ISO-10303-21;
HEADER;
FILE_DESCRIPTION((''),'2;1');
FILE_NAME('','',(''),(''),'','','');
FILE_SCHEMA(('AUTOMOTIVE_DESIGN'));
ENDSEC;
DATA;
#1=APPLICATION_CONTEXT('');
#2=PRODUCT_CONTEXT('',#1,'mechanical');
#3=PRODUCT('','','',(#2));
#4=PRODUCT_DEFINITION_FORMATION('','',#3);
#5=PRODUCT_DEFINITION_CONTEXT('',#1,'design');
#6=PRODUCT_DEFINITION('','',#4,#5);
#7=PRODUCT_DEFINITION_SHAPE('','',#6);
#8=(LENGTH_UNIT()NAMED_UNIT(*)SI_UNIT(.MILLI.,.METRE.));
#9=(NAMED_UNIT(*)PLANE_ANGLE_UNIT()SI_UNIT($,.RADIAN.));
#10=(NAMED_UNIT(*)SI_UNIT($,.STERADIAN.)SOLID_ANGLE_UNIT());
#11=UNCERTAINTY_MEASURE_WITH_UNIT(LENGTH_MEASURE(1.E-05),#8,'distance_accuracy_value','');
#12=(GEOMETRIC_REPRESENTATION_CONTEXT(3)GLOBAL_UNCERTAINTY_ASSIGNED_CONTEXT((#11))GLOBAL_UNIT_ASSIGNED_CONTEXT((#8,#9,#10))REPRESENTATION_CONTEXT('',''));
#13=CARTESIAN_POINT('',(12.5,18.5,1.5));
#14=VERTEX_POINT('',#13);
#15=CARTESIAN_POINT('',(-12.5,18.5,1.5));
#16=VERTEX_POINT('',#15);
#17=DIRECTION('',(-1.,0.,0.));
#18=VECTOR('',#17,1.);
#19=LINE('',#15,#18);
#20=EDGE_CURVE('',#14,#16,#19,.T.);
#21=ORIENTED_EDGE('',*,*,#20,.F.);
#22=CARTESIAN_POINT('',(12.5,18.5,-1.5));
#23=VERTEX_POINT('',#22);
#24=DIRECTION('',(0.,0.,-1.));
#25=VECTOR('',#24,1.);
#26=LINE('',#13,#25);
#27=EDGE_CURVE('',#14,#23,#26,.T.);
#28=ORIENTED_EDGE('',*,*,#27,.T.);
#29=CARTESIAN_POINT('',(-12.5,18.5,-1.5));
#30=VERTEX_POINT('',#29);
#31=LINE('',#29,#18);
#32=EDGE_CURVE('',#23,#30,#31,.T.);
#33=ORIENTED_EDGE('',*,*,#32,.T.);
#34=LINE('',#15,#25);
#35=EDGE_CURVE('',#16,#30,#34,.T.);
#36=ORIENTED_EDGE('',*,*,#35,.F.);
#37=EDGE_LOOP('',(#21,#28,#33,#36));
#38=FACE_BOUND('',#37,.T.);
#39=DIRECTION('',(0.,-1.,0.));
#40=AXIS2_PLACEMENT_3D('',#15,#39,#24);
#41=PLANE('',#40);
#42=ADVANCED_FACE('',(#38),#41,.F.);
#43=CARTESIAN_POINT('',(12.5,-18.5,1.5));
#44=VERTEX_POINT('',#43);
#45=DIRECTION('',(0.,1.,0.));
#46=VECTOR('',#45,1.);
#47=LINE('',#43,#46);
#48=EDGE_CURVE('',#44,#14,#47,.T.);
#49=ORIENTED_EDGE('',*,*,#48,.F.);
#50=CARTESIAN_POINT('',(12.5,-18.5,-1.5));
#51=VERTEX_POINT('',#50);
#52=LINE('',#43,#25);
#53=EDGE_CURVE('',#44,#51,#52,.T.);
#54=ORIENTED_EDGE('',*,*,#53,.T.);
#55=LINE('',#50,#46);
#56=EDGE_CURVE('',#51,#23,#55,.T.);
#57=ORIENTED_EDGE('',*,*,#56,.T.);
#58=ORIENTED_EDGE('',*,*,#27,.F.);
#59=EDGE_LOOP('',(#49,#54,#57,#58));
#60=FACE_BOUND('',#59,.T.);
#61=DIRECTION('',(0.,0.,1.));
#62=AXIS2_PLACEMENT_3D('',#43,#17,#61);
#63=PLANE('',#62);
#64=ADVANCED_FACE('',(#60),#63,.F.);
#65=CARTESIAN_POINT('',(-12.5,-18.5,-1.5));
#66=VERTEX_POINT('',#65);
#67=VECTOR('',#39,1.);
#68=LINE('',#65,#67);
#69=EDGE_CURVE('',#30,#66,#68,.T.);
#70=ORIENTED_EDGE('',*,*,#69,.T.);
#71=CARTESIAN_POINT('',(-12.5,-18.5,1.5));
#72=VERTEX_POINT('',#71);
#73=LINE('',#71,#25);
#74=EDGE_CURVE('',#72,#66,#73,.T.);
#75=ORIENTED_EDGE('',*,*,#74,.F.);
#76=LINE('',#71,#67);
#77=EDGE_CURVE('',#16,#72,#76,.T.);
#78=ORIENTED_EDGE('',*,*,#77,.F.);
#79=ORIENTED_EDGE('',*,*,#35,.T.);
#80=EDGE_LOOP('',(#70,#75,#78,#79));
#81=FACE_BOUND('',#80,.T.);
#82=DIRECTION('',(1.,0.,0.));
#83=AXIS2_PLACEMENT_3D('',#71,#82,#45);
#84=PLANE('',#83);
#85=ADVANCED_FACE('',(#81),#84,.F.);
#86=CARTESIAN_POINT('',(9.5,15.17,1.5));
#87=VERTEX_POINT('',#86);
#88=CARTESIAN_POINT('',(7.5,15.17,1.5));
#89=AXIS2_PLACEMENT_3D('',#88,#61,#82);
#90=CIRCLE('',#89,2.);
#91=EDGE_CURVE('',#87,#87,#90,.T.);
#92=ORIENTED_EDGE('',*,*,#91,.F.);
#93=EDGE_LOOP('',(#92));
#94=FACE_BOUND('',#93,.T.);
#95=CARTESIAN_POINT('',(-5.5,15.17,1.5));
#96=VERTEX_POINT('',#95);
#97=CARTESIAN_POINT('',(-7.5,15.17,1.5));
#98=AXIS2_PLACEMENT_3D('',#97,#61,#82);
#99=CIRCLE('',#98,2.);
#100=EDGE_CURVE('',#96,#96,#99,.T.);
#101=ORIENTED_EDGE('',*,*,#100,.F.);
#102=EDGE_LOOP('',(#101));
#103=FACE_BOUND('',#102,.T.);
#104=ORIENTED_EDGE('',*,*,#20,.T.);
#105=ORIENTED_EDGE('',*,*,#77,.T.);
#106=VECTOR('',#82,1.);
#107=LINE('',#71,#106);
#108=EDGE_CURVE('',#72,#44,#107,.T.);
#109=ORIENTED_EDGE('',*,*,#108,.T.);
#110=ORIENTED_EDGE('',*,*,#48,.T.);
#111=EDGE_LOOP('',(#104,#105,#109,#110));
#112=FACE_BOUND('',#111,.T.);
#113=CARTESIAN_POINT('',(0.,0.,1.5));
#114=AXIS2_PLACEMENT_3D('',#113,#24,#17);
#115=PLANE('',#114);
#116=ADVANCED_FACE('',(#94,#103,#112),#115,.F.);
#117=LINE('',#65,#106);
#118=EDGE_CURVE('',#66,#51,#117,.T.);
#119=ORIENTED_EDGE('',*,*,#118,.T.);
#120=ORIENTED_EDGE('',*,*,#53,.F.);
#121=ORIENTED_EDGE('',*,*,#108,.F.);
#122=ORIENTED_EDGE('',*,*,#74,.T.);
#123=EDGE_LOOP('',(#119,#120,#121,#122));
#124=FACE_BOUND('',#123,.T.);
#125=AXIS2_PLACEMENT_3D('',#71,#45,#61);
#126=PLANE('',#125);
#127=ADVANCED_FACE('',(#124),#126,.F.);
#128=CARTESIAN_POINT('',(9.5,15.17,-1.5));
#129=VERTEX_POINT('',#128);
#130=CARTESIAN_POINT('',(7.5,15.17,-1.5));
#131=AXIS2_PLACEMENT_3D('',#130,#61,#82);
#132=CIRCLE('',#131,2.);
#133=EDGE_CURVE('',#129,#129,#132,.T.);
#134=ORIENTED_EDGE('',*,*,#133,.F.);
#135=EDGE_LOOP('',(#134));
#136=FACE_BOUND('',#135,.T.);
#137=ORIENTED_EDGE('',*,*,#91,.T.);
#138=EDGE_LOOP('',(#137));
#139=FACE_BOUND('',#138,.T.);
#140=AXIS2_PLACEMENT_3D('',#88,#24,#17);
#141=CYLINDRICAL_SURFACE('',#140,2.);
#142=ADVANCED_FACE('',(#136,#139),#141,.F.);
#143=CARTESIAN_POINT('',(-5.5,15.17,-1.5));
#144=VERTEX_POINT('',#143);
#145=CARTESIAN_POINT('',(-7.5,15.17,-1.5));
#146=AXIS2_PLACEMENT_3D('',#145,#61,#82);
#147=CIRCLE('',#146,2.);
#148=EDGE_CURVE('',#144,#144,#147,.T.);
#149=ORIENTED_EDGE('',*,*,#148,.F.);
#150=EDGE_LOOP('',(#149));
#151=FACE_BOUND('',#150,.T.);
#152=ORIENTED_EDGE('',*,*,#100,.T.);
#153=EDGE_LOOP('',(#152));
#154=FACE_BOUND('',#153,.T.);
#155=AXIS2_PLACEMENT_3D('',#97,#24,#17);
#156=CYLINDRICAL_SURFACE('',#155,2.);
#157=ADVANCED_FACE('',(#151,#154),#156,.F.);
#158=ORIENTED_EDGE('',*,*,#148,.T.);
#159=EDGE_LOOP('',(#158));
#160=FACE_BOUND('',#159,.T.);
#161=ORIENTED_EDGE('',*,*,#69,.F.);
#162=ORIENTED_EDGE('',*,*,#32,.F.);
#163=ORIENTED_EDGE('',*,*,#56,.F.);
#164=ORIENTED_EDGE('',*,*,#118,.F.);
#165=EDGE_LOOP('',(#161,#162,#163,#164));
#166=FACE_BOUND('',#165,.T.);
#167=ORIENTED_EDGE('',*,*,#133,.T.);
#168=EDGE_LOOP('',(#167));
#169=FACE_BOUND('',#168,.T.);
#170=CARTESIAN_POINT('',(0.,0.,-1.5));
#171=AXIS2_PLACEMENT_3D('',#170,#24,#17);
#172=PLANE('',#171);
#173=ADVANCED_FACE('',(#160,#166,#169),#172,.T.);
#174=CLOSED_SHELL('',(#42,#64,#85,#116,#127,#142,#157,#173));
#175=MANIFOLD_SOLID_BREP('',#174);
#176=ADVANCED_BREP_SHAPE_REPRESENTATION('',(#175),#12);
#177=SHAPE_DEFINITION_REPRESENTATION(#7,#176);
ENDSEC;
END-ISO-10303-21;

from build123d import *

# Parameters (mm, degrees)
CROQUIS1_W              = 25
CROQUIS1_H              = 37
CROQUIS1_R              = 2
SALIENTE_EXTRUIR1_DEPTH = 1.5


with BuildPart() as part:
    # Croquis1 → Saliente-Extruir1 (new, symmetric)
    with BuildSketch(Plane.XY):
        Rectangle(CROQUIS1_W, CROQUIS1_H)
        with Locations((-7.5, 15.17)):
            Circle(CROQUIS1_R, mode=Mode.SUBTRACT)
        with Locations((7.5, 15.17)):
            Circle(CROQUIS1_R, mode=Mode.SUBTRACT)
    extrude(amount=SALIENTE_EXTRUIR1_DEPTH, both=True)


solid = part.part
